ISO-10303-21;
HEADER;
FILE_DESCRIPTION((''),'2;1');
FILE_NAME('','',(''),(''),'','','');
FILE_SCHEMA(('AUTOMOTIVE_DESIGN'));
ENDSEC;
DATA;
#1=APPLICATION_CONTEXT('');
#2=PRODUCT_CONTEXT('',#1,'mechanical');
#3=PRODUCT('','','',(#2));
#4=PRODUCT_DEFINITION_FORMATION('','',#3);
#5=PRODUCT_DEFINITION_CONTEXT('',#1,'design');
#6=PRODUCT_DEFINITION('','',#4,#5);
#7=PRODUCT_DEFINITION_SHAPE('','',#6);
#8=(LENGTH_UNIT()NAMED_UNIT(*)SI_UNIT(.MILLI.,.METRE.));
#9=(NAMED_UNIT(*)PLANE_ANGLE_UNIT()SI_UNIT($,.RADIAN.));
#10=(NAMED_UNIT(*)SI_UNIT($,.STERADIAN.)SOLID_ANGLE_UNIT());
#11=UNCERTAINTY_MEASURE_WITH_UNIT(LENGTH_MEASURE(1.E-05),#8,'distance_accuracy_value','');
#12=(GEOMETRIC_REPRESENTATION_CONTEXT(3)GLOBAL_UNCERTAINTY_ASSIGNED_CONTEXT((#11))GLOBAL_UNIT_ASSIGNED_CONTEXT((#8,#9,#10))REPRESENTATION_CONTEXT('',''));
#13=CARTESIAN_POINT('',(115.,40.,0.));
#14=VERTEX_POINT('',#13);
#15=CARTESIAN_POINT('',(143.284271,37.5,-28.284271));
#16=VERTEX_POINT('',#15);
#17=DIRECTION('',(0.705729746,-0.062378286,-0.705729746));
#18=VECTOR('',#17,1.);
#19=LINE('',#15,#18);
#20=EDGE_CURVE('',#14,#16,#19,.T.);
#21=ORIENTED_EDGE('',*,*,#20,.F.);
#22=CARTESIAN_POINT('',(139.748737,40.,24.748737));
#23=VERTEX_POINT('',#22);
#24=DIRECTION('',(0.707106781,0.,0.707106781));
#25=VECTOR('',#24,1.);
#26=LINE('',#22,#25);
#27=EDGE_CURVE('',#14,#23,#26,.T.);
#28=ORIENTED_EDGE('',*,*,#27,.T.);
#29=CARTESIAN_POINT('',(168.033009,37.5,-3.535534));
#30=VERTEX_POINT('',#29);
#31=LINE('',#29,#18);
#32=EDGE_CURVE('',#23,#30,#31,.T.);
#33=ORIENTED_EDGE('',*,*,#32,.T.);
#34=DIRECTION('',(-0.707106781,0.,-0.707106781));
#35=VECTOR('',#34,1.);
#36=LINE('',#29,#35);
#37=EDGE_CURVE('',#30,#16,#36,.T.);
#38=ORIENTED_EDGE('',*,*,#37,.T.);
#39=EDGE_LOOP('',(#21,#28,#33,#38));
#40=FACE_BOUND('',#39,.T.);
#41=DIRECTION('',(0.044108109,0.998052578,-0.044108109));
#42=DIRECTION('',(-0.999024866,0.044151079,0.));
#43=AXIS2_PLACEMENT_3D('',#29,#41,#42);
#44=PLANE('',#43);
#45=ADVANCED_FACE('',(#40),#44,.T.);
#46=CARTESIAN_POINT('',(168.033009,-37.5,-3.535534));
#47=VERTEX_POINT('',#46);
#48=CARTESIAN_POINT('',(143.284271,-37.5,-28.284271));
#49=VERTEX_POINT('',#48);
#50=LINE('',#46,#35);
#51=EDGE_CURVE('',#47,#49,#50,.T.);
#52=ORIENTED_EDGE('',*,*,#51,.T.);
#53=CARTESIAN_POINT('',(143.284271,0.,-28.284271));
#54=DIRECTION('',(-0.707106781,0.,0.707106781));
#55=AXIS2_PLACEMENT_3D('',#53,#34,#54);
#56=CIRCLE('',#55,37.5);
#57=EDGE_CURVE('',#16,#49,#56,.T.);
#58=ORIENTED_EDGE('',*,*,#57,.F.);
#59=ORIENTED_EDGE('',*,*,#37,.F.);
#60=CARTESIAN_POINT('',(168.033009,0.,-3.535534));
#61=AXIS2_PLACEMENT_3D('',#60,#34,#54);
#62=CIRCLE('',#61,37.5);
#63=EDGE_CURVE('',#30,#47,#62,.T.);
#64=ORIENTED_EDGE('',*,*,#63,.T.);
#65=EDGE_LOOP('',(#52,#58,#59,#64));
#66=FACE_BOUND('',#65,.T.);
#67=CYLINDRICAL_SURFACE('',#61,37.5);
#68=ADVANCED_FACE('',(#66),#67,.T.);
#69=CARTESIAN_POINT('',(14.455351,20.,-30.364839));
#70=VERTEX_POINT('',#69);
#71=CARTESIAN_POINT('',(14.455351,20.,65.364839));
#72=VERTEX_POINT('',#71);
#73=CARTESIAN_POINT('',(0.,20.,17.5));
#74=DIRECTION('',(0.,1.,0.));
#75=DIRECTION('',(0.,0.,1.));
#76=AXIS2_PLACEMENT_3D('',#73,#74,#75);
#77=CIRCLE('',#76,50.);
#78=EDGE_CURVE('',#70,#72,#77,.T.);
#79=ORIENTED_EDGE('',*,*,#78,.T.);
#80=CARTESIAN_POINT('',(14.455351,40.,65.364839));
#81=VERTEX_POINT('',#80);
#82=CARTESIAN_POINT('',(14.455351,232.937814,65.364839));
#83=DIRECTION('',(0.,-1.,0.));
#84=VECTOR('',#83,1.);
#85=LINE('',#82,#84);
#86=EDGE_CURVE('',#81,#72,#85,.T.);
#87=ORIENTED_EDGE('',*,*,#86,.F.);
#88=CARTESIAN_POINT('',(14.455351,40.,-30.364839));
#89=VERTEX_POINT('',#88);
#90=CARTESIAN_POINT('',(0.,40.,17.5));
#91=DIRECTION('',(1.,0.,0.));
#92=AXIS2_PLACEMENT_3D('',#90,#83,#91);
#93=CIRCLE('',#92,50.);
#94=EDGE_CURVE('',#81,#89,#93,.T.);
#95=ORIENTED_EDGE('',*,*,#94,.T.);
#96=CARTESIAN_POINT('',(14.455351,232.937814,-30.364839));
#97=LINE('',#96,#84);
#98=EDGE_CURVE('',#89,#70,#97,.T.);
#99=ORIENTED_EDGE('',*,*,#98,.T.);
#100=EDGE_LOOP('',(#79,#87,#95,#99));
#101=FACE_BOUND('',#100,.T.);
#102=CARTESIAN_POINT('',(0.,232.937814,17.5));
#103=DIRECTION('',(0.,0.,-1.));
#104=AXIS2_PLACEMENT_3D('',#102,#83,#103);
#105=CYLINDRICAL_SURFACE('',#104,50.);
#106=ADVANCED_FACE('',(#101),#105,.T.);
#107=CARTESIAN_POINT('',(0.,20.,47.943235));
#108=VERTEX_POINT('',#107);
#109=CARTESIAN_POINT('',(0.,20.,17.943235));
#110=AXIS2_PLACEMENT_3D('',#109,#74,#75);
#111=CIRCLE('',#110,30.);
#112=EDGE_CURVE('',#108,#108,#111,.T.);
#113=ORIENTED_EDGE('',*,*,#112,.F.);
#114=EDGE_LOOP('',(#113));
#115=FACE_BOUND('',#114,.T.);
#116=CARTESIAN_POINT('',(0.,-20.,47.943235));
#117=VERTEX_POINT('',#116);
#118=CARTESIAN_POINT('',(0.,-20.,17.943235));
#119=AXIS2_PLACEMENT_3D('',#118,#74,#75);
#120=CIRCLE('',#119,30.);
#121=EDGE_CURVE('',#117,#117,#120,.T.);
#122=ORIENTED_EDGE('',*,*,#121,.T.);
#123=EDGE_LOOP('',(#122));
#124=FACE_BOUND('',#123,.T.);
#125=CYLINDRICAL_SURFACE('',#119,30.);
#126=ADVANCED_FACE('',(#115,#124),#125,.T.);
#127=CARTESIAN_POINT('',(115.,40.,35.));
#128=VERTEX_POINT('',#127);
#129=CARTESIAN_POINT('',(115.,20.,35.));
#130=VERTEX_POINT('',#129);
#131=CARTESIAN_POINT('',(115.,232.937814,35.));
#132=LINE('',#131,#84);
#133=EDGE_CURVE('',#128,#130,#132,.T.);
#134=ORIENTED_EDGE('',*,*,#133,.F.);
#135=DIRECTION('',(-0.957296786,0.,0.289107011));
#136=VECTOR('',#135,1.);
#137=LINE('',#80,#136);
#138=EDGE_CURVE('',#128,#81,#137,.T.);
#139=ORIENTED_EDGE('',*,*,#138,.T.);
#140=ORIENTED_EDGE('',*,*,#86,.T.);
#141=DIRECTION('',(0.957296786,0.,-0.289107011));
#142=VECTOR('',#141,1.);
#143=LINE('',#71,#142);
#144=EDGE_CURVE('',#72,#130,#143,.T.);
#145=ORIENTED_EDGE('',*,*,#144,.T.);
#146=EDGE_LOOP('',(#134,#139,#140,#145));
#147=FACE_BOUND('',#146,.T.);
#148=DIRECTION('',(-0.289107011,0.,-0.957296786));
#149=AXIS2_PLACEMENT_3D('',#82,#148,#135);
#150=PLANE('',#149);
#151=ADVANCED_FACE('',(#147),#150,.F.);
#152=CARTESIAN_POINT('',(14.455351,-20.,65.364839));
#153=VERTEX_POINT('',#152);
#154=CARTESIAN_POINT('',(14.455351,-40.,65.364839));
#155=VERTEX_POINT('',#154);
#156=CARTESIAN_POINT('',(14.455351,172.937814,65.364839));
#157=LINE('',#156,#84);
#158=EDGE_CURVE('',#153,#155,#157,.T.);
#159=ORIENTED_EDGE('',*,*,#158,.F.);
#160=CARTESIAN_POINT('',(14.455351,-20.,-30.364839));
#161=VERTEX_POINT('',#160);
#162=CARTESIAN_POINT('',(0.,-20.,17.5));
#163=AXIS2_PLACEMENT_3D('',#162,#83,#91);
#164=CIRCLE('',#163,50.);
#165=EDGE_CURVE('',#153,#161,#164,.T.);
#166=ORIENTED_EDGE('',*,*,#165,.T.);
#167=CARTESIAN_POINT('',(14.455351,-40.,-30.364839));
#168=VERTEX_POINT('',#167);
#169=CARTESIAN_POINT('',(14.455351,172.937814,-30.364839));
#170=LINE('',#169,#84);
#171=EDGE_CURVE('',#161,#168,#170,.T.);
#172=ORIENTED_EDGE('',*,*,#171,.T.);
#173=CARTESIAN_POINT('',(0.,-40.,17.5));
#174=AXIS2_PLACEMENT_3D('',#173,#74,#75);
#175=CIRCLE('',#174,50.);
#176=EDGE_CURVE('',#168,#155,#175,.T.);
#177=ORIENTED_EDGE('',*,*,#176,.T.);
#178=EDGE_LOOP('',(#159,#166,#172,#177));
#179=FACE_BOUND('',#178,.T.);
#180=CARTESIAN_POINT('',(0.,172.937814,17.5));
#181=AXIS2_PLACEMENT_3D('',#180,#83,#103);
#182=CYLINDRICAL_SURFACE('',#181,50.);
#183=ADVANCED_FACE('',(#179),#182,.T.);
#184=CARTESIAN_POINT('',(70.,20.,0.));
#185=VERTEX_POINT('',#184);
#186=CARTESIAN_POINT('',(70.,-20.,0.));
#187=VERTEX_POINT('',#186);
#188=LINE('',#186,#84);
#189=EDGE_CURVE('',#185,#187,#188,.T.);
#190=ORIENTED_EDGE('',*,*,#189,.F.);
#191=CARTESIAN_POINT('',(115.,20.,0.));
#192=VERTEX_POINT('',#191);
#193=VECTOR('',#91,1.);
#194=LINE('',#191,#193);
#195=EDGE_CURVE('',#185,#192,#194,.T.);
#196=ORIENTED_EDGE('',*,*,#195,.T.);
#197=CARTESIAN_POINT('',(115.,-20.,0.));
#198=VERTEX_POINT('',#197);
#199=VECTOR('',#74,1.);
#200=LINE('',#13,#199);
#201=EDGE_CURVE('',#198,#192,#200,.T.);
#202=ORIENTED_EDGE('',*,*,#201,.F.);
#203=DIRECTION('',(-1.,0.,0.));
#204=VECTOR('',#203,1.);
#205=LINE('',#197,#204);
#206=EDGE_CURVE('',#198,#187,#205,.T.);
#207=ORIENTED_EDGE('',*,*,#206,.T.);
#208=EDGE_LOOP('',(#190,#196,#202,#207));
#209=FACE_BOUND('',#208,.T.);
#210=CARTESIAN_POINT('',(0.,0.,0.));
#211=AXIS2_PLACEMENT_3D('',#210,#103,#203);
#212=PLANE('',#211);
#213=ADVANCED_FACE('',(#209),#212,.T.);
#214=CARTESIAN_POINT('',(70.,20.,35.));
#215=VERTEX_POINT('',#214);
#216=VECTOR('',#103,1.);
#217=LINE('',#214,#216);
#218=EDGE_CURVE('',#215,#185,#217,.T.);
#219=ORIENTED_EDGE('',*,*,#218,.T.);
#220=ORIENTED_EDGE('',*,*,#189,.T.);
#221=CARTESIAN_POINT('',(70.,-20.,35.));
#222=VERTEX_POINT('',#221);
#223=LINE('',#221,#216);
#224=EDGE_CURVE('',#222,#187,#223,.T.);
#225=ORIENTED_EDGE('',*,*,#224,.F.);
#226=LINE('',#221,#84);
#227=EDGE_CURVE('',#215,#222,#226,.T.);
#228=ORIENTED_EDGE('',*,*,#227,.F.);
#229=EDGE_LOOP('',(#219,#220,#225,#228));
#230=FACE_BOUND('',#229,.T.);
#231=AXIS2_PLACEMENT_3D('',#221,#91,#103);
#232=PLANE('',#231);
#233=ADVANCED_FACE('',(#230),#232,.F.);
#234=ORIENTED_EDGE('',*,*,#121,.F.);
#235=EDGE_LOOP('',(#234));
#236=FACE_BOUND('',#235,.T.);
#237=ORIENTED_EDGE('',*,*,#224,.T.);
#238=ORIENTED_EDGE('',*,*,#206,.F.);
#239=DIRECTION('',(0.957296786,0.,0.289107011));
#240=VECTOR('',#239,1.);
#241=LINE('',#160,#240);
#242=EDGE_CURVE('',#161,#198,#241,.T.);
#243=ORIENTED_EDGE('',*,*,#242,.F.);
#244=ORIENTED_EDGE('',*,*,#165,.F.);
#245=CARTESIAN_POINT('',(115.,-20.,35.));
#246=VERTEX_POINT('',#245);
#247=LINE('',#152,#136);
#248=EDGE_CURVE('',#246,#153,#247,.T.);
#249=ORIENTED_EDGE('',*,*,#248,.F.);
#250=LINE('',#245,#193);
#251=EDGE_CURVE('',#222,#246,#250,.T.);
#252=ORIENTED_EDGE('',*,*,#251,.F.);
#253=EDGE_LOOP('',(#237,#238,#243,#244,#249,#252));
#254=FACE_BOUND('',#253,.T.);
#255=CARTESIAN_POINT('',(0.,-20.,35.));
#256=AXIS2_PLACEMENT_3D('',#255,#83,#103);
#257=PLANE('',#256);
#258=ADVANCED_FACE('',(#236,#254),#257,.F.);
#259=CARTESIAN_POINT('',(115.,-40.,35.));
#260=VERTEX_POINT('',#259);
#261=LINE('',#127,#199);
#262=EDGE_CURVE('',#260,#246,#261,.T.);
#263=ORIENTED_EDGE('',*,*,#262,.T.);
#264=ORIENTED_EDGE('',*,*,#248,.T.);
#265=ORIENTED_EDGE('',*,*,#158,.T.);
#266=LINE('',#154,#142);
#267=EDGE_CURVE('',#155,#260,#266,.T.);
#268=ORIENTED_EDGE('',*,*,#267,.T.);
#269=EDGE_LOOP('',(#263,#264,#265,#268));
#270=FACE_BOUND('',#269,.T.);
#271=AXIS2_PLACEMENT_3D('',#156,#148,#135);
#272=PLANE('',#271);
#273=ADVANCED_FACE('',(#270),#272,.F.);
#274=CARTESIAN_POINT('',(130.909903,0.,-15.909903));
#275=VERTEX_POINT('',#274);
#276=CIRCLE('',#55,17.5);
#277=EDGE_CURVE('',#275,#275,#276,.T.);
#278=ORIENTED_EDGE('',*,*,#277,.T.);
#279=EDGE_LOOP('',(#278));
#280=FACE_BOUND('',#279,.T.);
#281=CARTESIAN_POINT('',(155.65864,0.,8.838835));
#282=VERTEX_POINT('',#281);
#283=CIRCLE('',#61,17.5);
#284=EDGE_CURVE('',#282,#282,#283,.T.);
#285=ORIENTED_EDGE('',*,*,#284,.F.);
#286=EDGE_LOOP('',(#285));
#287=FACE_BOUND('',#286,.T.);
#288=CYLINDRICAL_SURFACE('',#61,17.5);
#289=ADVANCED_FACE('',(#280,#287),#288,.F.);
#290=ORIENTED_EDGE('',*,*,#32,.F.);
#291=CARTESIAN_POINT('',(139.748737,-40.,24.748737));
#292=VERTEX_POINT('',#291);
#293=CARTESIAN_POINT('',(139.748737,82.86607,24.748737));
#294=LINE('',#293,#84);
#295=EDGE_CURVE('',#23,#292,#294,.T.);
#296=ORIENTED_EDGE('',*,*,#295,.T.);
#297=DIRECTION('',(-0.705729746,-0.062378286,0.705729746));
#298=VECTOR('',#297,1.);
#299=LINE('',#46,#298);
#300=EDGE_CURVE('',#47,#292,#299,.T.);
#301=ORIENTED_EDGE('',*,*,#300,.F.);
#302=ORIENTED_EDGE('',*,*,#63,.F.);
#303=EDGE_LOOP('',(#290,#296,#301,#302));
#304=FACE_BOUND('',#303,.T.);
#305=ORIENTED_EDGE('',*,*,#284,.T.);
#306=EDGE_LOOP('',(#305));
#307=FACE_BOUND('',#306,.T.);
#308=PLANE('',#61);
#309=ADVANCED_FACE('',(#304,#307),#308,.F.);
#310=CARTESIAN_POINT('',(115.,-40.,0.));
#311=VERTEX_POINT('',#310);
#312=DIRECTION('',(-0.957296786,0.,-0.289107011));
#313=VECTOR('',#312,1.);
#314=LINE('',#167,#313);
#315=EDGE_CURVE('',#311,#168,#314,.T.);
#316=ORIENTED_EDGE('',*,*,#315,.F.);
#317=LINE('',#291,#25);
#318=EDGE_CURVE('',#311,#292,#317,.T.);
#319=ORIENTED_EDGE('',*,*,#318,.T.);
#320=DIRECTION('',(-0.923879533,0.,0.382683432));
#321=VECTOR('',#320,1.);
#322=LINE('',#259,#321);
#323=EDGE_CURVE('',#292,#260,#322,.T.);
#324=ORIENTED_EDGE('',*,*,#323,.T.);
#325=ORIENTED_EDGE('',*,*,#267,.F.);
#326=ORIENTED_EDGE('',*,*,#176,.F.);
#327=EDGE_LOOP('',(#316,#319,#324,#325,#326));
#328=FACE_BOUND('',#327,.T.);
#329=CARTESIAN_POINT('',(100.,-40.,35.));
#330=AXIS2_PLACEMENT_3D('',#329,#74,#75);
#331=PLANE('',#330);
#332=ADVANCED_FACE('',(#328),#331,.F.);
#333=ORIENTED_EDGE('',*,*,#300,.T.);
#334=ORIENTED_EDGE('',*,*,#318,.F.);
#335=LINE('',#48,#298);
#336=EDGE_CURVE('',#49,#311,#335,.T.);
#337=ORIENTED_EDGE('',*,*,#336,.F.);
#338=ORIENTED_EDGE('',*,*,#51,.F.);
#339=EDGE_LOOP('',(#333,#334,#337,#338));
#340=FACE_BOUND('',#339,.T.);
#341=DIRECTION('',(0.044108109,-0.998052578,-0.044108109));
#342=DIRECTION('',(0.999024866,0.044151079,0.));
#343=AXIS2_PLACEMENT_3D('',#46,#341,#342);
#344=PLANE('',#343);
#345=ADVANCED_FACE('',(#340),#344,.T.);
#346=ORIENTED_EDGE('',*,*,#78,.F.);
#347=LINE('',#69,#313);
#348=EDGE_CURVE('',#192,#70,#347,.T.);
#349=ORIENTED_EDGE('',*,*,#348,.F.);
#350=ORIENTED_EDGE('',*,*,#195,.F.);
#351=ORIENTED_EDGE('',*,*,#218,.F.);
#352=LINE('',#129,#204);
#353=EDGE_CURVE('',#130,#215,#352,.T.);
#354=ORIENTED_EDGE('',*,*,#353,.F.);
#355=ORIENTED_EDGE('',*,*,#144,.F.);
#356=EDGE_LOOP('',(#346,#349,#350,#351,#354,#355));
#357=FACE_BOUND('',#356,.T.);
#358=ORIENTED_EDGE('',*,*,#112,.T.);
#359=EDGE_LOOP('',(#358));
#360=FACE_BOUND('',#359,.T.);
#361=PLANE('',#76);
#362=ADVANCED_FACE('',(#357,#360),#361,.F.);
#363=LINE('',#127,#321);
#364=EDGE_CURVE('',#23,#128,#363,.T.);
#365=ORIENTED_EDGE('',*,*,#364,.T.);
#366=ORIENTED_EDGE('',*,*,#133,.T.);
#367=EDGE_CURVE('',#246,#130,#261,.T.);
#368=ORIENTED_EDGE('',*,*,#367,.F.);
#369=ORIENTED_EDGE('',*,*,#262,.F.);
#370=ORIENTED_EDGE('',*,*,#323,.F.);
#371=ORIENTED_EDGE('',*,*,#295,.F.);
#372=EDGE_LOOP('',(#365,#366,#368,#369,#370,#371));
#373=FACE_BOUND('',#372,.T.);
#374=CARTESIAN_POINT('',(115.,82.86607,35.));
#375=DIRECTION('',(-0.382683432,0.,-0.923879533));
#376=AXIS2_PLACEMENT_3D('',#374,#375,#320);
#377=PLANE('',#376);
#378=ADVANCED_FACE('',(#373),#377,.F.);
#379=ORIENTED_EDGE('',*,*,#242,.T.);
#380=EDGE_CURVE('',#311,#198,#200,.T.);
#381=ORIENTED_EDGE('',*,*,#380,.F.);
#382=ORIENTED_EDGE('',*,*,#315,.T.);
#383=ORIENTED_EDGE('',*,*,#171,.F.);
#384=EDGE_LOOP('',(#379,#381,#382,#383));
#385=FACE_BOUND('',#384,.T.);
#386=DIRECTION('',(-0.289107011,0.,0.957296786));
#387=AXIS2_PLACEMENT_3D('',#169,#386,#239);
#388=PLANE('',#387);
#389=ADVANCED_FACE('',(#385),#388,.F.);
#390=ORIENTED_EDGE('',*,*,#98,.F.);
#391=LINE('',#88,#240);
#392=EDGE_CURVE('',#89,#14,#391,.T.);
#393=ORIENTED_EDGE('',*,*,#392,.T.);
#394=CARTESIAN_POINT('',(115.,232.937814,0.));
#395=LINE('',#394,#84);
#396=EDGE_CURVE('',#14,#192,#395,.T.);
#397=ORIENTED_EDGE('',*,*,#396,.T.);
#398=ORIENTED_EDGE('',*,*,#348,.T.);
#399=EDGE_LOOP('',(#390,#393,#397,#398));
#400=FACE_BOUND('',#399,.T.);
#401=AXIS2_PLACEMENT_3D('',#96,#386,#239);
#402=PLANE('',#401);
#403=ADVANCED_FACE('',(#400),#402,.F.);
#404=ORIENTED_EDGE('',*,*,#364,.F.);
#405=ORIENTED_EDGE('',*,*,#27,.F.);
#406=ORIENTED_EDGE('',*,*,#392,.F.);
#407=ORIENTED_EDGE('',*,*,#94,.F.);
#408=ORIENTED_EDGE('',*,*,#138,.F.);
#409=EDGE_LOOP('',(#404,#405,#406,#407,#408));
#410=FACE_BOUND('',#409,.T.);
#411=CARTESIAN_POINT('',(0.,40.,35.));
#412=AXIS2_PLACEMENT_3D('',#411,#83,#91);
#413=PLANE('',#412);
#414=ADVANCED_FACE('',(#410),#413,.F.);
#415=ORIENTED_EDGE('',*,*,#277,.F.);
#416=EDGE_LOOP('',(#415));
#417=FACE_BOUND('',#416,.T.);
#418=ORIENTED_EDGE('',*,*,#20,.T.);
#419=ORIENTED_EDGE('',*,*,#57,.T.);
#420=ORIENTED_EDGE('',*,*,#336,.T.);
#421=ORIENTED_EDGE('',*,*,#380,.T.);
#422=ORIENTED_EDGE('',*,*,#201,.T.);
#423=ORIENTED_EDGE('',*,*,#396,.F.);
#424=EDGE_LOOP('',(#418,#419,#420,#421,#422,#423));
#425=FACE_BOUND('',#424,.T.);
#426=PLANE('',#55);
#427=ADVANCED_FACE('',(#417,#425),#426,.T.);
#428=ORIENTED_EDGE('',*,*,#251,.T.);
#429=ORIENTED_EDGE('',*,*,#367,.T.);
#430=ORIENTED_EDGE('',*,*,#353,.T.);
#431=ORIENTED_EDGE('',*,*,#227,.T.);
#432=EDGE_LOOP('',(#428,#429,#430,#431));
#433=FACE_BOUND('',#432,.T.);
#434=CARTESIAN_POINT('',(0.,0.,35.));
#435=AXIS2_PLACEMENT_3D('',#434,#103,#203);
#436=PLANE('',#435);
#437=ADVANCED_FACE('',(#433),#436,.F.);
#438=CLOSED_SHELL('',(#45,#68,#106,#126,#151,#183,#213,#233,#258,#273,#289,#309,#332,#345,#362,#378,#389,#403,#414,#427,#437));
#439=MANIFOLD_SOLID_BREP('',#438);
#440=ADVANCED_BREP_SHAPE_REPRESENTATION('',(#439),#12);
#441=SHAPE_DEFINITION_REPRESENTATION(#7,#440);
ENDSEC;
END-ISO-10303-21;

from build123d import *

# Parameters (mm, degrees)
BOSS_EXTRUDE1_DEPTH             = 35
BOSS_EXTRUDE2_START             = -40
BOSS_EXTRUDE2_DEPTH             = 80
SKETCH7_R                       = 17.5
BOSS_EXTRUDE8_DEPTH             = 35
BOSS_EXTRUDE9_REACH             = 208.04
BOSS_EXTRUDE9_DIRECTION_2_REACH = 208.04
BOSS_EXTRUDE6_DEPTH             = 20
BOSS_EXTRUDE6_DEPTH_BACK        = 20
SKETCH5_R                       = 30
BOSS_EXTRUDE10_DEPTH            = 20


with BuildPart() as part:
    # Sketch1 → Boss-Extrude1 (new body)
    with BuildSketch(Plane.XY):
        Polygon((0, -20), (70, -20), (70, 20), (0, 20), (0, 40), (100, 40), (115, 40), (115, -40), (100, -40), (0, -40), align=None)
    extrude(amount=BOSS_EXTRUDE1_DEPTH)


with BuildPart() as body_2:
    # Sketch2 → Boss-Extrude2 (new body)
    with BuildSketch(Plane(origin=(0, 0, 0), x_dir=(1, 0, 0), z_dir=(0, 1, 0)).offset(BOSS_EXTRUDE2_START)):
        Polygon((115, -35), (115, 0), (143.284271247, 28.284271247), (160.784271247, 10.784271247), align=None)
    extrude(amount=BOSS_EXTRUDE2_DEPTH)


with BuildPart() as body_3:
    # Sketch7 → Boss-Extrude8 (new body)
    with BuildSketch(Plane(origin=(57.5, 0, 57.5), x_dir=(-0.7071067811865485, 0, 0.7071067811865466), z_dir=(-0.7071067811865466, 0, -0.7071067811865485))):
        with BuildLine():
            Line((-121.317279836, 37.5), (-81.317279836, 40))
            Line((-81.317279836, 40), (-81.317279836, -40))
            Line((-81.317279836, -40), (-121.317279836, -37.5))
            ThreePointArc((-121.317279836, -37.5), (-158.817279836, 0), (-121.317279836, 37.5))
        make_face()
        with Locations((-121.317279836, 0)):
            Circle(SKETCH7_R, mode=Mode.SUBTRACT)
    extrude(amount=-BOSS_EXTRUDE8_DEPTH)


with BuildPart() as body_4:

    # Boss-Extrude9: up to this face of the body (flat: up to its plane)
    boss_extrude9_end = Plane(part.part.faces().sort_by_distance((57.5, 40, 17.5))[0])
    # Sketch9 → Boss-Extrude9 (new, up to the picked face)
    with BuildSketch(Plane(origin=(0, 0, 0), x_dir=(1, 0, 0), z_dir=(0, 1, 0)), mode=Mode.PRIVATE) as boss_extrude9_sk1:
        Polygon((139.748737342, -24.748737342), (115, 0), (115, -35), align=None)
    boss_extrude9_tool1 = split(extrude(boss_extrude9_sk1.sketch, amount=BOSS_EXTRUDE9_REACH, mode=Mode.PRIVATE), bisect_by=boss_extrude9_end, keep=Keep.BOTH, mode=Mode.PRIVATE)
    add(boss_extrude9_tool1.solids().sort_by(Axis((123.249579, 0, 19.916246), (0, 1, 0)))[0])


    # Boss-Extrude9 direction 2: up to this face of the body (flat: up to its plane)
    boss_extrude9_direction_2_end = Plane(part.part.faces().sort_by_distance((57.5, -40, 17.5))[0])
    # Sketch9 → Boss-Extrude9 direction 2 (add, up to the picked face)
    with BuildSketch(Plane(origin=(0, 0, 0), x_dir=(1, 0, 0), z_dir=(0, 1, 0)), mode=Mode.PRIVATE) as boss_extrude9_direction_2_sk1:
        Polygon((139.748737342, -24.748737342), (115, 0), (115, -35), align=None)
    boss_extrude9_direction_2_tool1 = split(extrude(boss_extrude9_direction_2_sk1.sketch, amount=-BOSS_EXTRUDE9_DIRECTION_2_REACH, mode=Mode.PRIVATE), bisect_by=boss_extrude9_direction_2_end, keep=Keep.BOTH, mode=Mode.PRIVATE)
    add(boss_extrude9_direction_2_tool1.solids().sort_by(Axis((123.249579, 0, 19.916246), (0, -1, 0)))[0])


with BuildPart() as body_4_2:
    # Sketch5 → Boss-Extrude6 (new, two sides: drawn at the far end of the back side and taken through both)
    with BuildSketch(Plane(origin=(0, 0, 0), x_dir=(1, 0, 0), z_dir=(0, 1, 0)).offset(-BOSS_EXTRUDE6_DEPTH_BACK)):
        with Locations(Location((0, -17.943234711, 0), (0, 0, 270))):
            Circle(SKETCH5_R)
    extrude(amount=BOSS_EXTRUDE6_DEPTH + BOSS_EXTRUDE6_DEPTH_BACK)


with BuildPart() as body_5:
    # Sketch6 → Boss-Extrude10 (new body)
    with BuildSketch(Plane(origin=(0, 20, 0), x_dir=(1, 0, 0), z_dir=(0, 1, 0))):
        with BuildLine():
            Line((115, -35), (46.837484988, -35))
            ThreePointArc((46.837484988, -35), (50, -17.5), (46.837484988, 0))
            Line((46.837484988, 0), (115, 0))
            Line((115, 0), (14.455350542, 30.364839295))
            ThreePointArc((14.455350542, 30.364839295), (-50, -17.5), (14.455350542, -65.364839295))
            Line((14.455350542, -65.364839295), (115, -35))
        make_face()
    extrude(amount=BOSS_EXTRUDE10_DEPTH)


with BuildPart() as body_6:
    # Body-Move/Copy2: copy of body 5
    add(body_5.part.moved(Location((0, -60, 0))))


with BuildPart() as body_5_1:
    add(body_5.part)

    # Combine1: union part, body 4, body 3, body 6, body 4 2
    add(part.part)
    add(body_4.part)
    add(body_3.part)
    add(body_6.part)
    add(body_4_2.part)


solid = body_5_1.part
